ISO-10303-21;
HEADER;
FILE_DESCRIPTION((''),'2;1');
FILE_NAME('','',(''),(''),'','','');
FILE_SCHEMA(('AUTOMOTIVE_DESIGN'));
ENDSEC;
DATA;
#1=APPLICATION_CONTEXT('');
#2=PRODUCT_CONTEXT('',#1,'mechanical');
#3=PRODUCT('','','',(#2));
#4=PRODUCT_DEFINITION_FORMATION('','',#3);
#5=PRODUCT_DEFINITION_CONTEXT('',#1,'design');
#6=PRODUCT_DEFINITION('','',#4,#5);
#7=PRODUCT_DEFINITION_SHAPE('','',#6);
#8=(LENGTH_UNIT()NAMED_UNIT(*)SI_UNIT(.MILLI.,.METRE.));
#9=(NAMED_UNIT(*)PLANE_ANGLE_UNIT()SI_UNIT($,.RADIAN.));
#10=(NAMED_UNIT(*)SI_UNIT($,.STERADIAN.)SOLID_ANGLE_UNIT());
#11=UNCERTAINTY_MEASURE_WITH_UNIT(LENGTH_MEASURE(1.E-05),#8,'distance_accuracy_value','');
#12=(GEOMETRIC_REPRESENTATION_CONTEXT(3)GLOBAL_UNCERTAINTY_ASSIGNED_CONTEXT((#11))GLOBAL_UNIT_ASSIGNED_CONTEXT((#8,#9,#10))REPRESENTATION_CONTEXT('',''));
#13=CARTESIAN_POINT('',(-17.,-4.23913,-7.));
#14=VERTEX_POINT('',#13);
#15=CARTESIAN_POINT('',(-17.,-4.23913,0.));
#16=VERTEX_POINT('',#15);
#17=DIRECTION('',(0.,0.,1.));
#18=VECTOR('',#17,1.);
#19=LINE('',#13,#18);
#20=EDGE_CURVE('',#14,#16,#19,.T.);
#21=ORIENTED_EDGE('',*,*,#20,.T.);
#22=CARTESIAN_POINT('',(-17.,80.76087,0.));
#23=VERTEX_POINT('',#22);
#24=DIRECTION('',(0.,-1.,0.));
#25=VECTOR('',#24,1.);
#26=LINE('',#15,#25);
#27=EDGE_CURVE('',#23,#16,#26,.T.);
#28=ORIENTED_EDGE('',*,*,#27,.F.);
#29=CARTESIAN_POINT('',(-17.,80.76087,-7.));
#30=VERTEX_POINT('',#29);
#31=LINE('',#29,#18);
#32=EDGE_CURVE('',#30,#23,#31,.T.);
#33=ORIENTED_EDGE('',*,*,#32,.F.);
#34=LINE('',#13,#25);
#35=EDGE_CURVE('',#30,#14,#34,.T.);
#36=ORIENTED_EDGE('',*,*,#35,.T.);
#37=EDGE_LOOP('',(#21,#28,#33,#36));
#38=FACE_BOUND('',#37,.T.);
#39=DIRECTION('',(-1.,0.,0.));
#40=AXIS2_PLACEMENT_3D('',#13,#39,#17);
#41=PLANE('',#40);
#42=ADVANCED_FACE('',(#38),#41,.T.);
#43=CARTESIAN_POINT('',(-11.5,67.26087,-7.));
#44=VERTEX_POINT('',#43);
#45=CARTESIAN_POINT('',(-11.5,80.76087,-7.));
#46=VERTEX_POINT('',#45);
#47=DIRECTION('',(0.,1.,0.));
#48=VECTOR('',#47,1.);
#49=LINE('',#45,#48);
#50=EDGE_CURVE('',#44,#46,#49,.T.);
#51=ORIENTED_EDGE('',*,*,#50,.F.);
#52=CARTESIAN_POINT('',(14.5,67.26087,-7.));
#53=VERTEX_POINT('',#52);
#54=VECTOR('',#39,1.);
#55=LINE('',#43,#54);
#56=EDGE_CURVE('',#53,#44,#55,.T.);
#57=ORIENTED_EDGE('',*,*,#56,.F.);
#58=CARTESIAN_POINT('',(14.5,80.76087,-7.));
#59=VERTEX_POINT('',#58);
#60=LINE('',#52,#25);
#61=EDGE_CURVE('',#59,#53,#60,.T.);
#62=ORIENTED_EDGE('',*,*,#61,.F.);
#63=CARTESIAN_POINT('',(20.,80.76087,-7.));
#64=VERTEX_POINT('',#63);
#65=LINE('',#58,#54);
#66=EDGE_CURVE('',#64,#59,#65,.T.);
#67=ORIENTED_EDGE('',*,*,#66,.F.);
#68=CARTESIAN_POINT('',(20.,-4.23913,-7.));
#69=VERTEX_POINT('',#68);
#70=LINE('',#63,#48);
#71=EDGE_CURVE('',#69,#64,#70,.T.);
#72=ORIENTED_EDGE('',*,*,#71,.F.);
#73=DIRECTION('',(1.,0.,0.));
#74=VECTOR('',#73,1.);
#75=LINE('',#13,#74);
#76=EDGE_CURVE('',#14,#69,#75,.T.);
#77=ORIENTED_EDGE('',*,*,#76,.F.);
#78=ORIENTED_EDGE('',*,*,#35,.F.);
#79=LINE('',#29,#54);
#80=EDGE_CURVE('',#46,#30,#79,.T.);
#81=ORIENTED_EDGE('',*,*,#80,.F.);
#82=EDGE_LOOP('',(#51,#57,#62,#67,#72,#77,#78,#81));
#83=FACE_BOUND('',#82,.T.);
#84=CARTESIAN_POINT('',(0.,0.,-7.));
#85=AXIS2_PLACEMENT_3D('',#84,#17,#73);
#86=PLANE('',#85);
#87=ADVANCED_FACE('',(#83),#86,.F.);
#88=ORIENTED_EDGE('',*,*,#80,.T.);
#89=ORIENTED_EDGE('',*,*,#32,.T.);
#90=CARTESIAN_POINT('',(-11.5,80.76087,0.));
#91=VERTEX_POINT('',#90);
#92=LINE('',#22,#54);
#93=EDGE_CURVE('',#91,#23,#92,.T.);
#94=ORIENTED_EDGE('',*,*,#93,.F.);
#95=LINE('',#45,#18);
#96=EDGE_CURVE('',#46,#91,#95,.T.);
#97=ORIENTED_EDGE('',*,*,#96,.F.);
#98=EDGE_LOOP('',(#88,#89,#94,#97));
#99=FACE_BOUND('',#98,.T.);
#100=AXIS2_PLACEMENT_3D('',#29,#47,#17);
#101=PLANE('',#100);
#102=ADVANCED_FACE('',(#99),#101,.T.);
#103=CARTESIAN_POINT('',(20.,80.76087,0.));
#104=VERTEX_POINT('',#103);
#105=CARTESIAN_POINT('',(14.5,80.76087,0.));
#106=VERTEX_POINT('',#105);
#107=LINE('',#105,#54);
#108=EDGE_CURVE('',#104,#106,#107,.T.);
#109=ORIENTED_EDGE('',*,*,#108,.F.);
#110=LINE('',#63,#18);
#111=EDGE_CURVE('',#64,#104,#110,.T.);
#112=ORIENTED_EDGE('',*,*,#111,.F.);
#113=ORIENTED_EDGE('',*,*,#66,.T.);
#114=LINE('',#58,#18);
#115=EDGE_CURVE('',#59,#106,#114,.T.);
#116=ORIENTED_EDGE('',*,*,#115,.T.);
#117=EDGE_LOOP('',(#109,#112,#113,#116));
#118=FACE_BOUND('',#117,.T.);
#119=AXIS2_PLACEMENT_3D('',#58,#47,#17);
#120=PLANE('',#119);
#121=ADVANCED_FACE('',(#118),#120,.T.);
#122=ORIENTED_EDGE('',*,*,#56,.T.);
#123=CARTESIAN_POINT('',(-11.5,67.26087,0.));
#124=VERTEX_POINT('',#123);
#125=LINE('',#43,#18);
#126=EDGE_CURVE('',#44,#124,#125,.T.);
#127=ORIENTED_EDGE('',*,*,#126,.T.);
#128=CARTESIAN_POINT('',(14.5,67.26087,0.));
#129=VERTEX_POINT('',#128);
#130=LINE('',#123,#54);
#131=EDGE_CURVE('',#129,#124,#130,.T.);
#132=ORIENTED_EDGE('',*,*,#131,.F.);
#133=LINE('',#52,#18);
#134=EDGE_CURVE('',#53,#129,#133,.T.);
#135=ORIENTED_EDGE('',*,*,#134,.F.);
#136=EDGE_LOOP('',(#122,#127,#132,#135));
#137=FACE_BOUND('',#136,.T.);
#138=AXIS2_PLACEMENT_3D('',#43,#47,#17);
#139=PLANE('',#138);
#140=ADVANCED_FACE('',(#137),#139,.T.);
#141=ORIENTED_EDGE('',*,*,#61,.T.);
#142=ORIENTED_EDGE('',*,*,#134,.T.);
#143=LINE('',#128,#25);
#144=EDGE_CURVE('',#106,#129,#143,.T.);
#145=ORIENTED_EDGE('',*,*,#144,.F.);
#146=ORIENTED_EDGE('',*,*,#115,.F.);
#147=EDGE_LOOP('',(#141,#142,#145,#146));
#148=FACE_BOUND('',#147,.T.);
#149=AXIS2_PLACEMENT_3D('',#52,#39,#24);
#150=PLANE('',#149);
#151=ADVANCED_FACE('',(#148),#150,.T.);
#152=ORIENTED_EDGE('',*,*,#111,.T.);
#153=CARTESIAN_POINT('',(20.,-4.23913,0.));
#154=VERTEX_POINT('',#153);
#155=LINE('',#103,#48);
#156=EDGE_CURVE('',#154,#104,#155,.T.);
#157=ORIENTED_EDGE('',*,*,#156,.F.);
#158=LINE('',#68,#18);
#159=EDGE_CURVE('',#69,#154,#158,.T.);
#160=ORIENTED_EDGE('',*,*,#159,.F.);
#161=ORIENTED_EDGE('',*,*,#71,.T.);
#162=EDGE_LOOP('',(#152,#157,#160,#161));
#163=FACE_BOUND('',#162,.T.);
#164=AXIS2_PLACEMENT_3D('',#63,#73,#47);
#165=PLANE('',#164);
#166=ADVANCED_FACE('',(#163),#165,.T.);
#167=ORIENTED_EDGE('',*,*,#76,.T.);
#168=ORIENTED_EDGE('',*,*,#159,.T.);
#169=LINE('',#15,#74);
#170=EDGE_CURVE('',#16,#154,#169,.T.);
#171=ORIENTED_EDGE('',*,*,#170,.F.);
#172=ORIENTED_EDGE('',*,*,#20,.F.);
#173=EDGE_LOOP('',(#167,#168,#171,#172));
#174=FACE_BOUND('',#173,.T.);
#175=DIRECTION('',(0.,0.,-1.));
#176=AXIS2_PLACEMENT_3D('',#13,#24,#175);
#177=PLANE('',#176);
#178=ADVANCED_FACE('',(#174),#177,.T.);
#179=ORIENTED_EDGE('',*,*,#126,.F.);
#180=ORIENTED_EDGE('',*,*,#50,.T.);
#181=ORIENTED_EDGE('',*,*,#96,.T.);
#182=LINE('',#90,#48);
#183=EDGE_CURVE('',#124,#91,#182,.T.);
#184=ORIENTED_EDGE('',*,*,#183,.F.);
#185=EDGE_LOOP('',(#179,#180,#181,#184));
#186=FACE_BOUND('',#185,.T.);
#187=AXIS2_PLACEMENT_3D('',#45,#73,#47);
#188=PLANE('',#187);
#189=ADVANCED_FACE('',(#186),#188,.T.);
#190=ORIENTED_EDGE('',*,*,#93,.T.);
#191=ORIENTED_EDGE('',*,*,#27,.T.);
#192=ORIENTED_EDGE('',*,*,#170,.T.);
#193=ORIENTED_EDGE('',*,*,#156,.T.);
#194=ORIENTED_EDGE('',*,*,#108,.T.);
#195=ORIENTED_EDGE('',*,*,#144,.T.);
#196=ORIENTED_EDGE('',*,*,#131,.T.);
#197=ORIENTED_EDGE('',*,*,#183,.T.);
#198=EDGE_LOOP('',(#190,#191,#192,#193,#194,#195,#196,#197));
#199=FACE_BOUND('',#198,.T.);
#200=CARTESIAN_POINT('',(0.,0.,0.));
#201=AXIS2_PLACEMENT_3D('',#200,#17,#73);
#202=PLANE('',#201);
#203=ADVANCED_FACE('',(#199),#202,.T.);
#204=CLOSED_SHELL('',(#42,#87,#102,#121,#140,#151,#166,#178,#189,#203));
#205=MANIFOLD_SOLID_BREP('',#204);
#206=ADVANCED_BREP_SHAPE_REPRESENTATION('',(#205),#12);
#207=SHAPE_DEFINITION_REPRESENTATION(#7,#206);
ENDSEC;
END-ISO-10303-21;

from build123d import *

# Parameters (mm, degrees)
BOSS_EXTRUDE1_DEPTH = 7


with BuildPart() as part:
    # Sketch1 → Boss-Extrude1 (new body)
    with BuildSketch(Plane.XY):
        Polygon((14.5, 67.260869565), (14.5, 80.760869565), (20, 80.760869565), (20, -4.239130435), (-17, -4.239130435), (-17, 80.760869565), (-11.5, 80.760869565), (-11.5, 67.260869565), align=None)
    extrude(amount=-BOSS_EXTRUDE1_DEPTH)


solid = part.part
